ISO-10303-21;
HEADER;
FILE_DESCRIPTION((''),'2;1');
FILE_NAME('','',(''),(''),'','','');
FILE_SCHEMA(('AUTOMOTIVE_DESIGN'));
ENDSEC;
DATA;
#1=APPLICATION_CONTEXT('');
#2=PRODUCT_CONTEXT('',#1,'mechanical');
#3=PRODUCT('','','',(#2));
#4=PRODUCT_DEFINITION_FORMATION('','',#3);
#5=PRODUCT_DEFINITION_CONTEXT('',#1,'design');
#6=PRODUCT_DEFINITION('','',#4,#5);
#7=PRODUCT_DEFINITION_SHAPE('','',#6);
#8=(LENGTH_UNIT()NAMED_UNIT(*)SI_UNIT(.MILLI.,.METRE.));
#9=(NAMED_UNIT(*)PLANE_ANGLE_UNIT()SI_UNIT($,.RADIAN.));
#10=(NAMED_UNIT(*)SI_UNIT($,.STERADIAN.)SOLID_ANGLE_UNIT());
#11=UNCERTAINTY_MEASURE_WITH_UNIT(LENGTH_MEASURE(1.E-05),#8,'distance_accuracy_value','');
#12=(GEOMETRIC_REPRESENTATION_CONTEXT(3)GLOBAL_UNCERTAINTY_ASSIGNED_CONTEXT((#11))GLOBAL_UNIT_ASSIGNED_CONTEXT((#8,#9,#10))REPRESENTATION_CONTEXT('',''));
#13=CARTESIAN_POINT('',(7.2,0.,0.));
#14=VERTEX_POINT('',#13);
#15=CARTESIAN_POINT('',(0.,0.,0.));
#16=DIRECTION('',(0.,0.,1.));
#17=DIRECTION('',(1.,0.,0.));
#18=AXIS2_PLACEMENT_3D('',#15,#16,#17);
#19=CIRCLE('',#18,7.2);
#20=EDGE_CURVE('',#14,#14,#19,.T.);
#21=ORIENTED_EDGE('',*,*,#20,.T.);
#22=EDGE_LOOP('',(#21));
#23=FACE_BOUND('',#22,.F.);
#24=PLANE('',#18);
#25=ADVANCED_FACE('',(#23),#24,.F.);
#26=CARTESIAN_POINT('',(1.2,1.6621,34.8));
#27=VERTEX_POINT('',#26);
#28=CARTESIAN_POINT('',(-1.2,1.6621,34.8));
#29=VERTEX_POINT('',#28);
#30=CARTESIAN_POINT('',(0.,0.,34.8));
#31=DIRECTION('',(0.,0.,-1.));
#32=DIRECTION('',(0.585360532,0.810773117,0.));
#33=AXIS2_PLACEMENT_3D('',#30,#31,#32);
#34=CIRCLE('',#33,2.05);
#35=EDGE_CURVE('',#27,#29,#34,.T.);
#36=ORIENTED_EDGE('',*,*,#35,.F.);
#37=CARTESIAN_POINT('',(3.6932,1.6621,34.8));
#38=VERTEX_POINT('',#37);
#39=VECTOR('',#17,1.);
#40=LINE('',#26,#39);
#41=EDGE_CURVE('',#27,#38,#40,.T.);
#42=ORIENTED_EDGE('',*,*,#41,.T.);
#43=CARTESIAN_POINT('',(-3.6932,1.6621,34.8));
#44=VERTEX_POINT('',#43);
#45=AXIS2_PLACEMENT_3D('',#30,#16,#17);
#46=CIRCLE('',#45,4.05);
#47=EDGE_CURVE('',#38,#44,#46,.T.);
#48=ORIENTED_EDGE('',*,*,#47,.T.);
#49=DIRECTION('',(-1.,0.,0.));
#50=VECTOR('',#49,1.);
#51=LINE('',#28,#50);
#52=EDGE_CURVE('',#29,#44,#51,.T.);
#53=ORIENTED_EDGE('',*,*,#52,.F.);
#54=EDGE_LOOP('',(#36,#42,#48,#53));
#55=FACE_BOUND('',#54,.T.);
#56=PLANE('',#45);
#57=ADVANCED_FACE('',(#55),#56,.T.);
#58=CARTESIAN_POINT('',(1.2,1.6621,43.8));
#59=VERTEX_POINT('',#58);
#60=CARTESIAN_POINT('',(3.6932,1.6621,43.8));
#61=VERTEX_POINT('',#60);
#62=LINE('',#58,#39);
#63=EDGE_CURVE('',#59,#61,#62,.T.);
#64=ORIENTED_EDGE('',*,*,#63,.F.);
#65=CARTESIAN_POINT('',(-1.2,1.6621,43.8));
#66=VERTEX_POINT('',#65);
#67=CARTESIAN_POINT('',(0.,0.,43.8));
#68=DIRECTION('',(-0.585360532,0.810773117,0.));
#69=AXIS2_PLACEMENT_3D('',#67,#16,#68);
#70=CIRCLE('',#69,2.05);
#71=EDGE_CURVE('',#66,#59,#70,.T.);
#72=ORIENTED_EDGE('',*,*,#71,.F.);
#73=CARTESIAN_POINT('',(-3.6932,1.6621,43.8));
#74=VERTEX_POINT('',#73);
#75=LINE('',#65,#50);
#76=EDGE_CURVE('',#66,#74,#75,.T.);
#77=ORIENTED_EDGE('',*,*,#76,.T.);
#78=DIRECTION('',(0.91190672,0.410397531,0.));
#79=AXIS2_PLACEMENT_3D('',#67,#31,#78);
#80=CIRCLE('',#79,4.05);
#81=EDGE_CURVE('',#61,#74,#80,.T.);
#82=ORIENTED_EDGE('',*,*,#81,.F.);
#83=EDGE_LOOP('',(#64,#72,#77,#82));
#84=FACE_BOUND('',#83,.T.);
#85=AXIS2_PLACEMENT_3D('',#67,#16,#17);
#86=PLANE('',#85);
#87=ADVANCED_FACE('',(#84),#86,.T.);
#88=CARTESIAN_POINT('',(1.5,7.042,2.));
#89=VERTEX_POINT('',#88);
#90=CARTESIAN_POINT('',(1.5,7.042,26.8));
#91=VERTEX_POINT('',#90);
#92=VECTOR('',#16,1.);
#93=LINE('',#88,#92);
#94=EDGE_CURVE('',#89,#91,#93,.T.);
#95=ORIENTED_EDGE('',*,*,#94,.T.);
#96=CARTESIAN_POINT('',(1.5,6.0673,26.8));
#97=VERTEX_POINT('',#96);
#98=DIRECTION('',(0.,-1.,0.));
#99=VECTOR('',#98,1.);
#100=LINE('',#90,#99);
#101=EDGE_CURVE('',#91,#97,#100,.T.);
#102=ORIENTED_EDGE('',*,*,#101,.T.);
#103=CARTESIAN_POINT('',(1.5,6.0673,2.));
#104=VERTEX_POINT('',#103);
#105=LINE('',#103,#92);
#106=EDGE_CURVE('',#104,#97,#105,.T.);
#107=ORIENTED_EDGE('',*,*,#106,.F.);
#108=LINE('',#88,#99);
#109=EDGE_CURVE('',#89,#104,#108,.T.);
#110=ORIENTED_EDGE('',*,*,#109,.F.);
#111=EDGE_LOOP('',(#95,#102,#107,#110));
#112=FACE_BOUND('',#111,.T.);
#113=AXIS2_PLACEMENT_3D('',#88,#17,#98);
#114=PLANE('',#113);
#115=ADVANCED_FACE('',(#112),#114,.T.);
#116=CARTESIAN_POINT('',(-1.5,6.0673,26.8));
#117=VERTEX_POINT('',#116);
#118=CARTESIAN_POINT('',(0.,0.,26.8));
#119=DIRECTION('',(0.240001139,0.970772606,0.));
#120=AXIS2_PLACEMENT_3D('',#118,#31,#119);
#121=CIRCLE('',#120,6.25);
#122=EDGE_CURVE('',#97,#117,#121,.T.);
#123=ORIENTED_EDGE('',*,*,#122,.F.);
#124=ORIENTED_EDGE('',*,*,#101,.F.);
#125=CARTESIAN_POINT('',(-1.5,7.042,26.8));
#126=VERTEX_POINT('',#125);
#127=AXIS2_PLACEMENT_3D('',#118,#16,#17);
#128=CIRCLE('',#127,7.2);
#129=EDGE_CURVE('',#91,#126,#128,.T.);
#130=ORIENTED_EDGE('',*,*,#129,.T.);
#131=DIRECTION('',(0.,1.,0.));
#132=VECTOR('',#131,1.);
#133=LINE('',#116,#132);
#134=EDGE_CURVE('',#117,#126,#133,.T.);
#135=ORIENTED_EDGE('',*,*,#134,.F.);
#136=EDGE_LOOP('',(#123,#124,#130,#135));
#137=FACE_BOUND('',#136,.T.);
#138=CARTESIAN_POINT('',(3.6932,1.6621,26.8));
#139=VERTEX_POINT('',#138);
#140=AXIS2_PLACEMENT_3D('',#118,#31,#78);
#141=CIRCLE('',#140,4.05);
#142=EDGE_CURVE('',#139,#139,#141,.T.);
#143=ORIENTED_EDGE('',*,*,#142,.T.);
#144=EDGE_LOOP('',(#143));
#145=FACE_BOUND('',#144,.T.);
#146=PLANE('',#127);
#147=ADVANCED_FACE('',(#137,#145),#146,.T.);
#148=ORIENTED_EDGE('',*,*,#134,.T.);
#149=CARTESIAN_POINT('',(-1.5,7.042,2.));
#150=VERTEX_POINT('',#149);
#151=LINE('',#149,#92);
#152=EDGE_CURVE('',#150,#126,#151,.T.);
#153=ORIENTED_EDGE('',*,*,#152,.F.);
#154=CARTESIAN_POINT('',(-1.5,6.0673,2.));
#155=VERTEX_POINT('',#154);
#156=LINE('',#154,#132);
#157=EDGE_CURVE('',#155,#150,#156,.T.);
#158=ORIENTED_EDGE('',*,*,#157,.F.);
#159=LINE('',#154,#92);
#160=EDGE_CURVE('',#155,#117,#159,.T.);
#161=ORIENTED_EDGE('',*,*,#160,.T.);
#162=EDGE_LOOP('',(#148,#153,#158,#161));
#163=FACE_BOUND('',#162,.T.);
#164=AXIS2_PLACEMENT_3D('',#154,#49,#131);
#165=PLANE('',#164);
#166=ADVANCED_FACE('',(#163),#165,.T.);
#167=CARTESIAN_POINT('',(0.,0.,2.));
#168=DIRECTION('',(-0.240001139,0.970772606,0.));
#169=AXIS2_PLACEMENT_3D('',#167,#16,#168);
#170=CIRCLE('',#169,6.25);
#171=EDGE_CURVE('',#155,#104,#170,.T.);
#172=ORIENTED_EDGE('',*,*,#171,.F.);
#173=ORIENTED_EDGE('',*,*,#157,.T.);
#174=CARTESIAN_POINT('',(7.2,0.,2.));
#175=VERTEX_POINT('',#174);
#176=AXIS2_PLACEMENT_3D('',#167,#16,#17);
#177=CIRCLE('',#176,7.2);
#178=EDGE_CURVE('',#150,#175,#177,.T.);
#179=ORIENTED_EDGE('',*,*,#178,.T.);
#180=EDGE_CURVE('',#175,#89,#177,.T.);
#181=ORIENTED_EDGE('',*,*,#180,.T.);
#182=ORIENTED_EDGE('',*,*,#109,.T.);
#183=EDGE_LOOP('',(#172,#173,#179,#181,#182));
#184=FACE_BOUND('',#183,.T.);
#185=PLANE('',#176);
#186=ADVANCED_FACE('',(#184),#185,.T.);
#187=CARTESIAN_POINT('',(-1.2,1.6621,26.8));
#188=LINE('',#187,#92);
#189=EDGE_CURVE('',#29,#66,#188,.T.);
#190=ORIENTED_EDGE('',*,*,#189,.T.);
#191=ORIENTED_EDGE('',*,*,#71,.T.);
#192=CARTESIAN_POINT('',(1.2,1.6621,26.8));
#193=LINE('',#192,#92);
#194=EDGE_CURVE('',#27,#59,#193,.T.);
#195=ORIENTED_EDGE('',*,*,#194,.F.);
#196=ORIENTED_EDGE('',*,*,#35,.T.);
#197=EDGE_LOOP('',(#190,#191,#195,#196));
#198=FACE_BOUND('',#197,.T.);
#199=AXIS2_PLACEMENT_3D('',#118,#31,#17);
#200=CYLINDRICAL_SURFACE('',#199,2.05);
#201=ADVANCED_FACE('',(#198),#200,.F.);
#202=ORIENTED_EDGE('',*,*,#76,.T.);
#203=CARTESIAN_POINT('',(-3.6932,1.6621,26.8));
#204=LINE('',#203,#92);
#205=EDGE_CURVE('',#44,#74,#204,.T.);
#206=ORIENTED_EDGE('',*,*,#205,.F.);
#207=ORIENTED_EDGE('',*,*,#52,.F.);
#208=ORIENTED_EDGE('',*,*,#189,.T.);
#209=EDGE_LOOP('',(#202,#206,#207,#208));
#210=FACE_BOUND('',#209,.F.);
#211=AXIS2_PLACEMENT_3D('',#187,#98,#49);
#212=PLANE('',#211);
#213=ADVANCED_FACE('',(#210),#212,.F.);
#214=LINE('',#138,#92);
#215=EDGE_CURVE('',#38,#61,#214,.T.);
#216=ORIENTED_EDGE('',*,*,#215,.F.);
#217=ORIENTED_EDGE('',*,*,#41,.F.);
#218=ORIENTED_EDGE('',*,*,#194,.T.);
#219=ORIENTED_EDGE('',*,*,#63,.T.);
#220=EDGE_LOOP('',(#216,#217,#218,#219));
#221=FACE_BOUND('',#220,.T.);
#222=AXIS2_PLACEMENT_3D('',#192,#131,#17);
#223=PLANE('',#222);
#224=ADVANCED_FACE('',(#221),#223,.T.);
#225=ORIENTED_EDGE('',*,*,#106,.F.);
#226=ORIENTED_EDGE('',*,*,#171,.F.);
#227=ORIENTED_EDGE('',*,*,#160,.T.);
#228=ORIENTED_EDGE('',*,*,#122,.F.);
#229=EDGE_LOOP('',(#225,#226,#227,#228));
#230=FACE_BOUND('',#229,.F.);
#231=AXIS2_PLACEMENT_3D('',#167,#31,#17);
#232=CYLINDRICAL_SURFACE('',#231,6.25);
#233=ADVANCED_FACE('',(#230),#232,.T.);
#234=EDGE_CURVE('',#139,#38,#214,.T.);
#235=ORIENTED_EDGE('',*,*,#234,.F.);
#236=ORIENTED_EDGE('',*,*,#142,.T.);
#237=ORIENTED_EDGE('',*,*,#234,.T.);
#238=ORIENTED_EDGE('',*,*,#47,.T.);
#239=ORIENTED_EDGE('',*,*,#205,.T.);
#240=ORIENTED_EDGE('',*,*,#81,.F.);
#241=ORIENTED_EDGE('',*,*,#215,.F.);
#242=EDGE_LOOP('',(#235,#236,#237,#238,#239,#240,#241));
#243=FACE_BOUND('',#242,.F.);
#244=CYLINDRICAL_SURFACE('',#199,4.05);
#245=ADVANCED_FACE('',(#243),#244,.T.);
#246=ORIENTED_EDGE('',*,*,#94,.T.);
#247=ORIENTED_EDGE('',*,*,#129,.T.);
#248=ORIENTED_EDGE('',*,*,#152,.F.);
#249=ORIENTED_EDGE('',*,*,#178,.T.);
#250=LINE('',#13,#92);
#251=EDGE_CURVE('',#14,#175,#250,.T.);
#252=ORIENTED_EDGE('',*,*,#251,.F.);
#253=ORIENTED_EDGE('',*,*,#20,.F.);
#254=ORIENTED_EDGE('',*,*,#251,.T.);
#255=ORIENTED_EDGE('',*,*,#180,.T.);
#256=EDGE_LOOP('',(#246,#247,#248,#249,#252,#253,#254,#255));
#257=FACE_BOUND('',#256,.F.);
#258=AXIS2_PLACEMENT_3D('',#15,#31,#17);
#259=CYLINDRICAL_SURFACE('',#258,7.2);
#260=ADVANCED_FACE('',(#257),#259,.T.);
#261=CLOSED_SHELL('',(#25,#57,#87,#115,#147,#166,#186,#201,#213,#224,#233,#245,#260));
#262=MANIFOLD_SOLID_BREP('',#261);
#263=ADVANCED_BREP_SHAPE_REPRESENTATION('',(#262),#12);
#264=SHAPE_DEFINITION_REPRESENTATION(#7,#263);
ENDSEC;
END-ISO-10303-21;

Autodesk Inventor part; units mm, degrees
ref_plane "YZ Plane" through (0, 0, 0) normal (1, 0, 0) x (0, 1, 0)
ref_plane "XZ Plane" through (0, 0, 0) normal (0, 1, 0) x (-1, 0, 0)
ref_plane "XY Plane" through (0, 0, 0) normal (0, 0, 1) x (1, 0, 0)
sketch "スケッチ1" plane through (0, 0, 0) normal (0, 0, 1) x (1, 0, 0)
  circle A0 centre (0, 0) radius 7.2
  dimension "d0" = 14.4
extrude "押し出し1" add sketch "スケッチ1" along normal blind 2
sketch "スケッチ2" plane through (0, 0, 2) normal (0, 0, 1) x (1, 0, 0)
  circle A0 centre (0, 0) radius 6.25
  line L0 (-1.5, 6.0673) -> (-1.5, 7.042)
  circle A1 centre (0, 0) radius 7.2 projected
  line L1 (1.5, 7.042) -> (1.5, 6.0673)
  dimension "d3" = 12.5
  dimension "d6" = 1.5
  dimension "d7" = 1.5
extrude "押し出し2" add sketch "スケッチ2" along normal blind 24.8 contours A0 | A0 L0 A1 L1 picked at (1.1681, 6.4463)
sketch "スケッチ3" plane through (0, 0, 26.8) normal (0, 0, 1) x (1, 0, 0)
  circle A0 centre (0, 0) radius 4.05
  circle A1 centre (0, 0) radius 2.05
  line L0 (-1.2, 1.6621) -> (1.2, 1.6621)
  line L1 (-1.2, 1.6621) -> (-3.6932, 1.6621)
  line L2 (1.2, 1.6621) -> (3.6932, 1.6621)
  dimension "d8" = 8.1
  dimension "d9" = 4.1
  dimension "d10" = 2.4
extrude "押し出し3" add sketch "スケッチ3" along normal blind 17 contours A0 L1 A1 L2 picked at (3.3454, -0.3178)
extrude "押し出し4" add sketch "スケッチ3" along normal blind 8 contours L2 A1 L1 A0 | L0 A1 | A1 L0 picked at (-2.7038, 1.9277)
equation "\"d7\" = d6"
properties part number "SU22_3DP_EncorderUnit_Bar_sn" material "ABS プラスチック"
